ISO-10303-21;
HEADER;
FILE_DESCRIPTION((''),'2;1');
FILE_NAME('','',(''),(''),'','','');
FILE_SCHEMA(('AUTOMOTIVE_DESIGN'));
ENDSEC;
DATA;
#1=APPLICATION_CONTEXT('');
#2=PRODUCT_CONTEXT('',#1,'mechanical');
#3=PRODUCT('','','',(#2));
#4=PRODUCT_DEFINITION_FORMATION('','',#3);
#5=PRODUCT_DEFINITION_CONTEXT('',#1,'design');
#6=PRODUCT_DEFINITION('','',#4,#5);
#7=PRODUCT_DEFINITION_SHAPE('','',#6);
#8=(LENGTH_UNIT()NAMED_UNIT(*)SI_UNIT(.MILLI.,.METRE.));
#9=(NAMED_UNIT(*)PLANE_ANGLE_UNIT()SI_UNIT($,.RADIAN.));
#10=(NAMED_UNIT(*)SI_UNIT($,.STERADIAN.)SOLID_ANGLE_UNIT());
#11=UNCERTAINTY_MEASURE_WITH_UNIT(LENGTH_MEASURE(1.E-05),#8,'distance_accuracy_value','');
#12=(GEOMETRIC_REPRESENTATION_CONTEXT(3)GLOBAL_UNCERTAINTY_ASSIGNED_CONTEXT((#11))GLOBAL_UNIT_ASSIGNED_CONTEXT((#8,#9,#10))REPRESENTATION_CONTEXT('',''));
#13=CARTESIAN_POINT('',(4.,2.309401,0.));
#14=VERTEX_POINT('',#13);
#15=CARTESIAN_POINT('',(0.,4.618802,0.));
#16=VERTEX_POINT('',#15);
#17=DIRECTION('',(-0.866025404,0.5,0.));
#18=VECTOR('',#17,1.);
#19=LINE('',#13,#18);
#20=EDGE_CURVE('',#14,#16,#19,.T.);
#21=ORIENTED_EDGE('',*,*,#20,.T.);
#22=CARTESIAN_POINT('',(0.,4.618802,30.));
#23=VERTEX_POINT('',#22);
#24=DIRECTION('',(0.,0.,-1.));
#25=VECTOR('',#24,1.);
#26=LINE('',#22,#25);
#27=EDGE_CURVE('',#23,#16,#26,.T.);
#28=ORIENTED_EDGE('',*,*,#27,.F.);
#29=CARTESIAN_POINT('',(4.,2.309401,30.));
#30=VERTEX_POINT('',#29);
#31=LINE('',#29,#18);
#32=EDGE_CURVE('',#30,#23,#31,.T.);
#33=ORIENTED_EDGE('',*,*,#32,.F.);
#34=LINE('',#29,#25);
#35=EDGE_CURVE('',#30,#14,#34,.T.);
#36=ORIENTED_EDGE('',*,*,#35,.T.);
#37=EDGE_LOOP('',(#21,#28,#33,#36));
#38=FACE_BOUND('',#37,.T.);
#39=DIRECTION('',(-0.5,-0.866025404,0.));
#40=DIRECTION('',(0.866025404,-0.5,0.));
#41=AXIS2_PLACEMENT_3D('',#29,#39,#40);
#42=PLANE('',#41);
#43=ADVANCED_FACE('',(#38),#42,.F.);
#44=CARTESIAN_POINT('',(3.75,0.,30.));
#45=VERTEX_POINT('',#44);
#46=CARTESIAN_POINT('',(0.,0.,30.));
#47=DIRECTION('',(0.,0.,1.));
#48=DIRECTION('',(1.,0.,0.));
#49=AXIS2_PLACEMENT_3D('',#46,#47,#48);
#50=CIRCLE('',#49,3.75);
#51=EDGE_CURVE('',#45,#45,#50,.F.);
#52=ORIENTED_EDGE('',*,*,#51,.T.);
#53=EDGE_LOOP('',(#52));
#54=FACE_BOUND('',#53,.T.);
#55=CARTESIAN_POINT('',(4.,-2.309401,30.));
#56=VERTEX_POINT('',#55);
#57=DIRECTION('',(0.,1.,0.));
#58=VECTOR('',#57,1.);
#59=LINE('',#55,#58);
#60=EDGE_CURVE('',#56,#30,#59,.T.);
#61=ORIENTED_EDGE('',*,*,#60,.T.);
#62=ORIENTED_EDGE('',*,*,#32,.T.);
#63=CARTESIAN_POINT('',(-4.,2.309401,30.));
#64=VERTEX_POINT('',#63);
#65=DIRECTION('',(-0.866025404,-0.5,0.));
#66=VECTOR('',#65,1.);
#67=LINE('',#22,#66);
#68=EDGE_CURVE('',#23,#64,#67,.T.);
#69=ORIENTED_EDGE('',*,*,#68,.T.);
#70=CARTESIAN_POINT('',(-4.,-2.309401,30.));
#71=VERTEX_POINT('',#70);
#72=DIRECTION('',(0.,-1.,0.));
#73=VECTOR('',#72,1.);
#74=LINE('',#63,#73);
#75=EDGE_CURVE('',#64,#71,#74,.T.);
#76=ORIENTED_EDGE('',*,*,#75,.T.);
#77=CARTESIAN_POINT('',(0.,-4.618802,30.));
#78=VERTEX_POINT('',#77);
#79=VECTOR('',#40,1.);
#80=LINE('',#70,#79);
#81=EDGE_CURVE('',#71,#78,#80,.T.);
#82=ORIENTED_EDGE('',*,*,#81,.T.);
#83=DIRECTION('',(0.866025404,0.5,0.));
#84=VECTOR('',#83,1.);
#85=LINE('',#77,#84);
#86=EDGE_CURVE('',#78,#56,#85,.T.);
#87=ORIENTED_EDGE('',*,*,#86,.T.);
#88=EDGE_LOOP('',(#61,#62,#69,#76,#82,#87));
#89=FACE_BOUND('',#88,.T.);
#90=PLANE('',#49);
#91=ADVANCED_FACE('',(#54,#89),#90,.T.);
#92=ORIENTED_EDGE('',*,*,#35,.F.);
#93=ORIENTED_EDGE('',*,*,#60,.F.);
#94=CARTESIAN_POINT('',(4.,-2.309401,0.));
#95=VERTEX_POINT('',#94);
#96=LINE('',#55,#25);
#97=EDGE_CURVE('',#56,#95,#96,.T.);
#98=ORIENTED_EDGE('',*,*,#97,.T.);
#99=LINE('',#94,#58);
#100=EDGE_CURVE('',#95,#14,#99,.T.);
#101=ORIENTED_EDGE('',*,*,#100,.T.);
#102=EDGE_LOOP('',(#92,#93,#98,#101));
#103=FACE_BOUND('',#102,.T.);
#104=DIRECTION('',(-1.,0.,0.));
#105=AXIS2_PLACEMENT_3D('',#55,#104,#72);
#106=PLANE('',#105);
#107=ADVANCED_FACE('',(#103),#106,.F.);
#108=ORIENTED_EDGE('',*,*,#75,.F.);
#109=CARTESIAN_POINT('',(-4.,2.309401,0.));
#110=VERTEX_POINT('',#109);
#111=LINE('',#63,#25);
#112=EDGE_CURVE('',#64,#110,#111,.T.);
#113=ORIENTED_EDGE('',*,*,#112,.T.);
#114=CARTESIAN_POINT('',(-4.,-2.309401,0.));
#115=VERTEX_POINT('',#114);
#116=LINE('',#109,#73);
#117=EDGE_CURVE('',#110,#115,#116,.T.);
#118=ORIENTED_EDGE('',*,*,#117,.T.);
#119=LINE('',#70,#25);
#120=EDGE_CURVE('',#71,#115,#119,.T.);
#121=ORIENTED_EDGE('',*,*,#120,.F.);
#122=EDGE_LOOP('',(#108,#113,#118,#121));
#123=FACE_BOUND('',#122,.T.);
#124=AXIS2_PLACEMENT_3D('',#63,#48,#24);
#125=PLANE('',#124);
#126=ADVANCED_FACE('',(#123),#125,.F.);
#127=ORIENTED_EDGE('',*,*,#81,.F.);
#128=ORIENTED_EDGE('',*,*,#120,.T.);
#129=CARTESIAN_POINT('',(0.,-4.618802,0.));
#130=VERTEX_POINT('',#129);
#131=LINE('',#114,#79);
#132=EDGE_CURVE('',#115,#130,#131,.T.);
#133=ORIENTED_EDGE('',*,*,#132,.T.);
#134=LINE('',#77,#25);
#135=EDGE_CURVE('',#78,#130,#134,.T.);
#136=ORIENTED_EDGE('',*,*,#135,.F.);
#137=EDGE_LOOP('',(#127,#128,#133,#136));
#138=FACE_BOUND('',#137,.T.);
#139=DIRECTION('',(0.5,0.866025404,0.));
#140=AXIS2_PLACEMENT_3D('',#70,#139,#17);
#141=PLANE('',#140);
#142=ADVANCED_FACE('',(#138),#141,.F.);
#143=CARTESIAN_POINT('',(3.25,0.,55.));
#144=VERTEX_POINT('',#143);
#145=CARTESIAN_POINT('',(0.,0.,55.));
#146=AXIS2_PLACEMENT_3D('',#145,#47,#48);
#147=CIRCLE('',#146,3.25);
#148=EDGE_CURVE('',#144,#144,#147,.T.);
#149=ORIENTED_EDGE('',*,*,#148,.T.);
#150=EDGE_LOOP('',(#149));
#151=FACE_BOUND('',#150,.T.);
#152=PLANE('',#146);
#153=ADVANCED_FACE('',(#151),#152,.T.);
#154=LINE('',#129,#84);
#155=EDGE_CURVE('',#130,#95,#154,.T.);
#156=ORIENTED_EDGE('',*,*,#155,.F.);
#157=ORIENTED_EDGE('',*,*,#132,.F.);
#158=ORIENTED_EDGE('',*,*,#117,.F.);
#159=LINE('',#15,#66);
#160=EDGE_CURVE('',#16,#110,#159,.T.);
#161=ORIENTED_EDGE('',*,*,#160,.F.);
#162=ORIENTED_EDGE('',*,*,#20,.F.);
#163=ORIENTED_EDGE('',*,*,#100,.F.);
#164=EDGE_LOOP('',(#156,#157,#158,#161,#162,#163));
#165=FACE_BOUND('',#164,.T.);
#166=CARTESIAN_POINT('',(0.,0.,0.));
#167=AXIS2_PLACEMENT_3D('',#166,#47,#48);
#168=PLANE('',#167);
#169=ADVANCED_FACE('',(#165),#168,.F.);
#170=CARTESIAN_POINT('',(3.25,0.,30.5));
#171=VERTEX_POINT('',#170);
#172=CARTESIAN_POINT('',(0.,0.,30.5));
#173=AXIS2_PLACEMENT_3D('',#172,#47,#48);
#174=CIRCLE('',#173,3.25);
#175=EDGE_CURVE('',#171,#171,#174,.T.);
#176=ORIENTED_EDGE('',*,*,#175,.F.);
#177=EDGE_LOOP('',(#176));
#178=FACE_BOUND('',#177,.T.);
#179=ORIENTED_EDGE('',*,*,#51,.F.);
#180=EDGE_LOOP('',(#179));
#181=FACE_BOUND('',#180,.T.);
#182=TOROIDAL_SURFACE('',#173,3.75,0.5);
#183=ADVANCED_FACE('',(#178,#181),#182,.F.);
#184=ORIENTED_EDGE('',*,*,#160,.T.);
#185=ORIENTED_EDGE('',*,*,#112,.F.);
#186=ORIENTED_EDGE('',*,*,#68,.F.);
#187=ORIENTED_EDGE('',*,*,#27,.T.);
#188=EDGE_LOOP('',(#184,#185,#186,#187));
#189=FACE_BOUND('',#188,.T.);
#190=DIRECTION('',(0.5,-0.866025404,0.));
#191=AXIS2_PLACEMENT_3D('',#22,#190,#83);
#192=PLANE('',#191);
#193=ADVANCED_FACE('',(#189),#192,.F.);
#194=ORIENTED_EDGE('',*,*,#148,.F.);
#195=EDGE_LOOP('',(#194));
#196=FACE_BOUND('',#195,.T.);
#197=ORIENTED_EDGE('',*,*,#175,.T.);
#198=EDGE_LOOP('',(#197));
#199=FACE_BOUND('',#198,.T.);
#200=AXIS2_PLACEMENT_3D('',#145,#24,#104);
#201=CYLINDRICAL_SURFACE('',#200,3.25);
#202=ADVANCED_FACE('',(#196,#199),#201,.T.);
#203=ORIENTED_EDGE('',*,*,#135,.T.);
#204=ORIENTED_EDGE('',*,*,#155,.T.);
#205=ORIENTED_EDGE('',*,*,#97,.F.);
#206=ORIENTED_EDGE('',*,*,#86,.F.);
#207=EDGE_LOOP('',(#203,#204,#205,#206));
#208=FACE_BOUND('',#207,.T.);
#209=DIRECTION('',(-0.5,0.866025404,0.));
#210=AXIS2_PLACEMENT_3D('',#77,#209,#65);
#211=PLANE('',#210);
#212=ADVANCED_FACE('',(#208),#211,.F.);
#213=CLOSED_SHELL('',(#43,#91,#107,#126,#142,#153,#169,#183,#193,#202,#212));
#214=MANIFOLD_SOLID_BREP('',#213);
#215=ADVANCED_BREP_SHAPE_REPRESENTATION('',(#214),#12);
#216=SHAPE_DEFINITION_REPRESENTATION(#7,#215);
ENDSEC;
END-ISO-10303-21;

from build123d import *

# Parameters (mm, degrees)
BOSS_EXTRU_1_DEPTH = 30
ESQUISSE2_R        = 3.25
BOSS_EXTRU_2_DEPTH = 25
CONG_1_R           = 0.5


with BuildPart() as part:
    # Esquisse1 → Boss.-Extru.1 (new body)
    with BuildSketch(Plane.XY):
        Polygon((-4, 2.309401077), (-4, -2.309401077), (0, -4.618802154), (4, -2.309401077), (4, 2.309401077), (0, 4.618802154), align=None)
    extrude(amount=BOSS_EXTRU_1_DEPTH)

    # Esquisse2 → Boss.-Extru.2 (add)
    with BuildSketch(Plane.XY.offset(30)):
        Circle(ESQUISSE2_R)
    extrude(amount=BOSS_EXTRU_2_DEPTH)

    # Congé1
    cong_1_edges = [part.edges().sort_by_distance(p)[0] for p in [
        (-3.25, 0, 30),
    ]]
    fillet(cong_1_edges, radius=CONG_1_R)


solid = part.part
